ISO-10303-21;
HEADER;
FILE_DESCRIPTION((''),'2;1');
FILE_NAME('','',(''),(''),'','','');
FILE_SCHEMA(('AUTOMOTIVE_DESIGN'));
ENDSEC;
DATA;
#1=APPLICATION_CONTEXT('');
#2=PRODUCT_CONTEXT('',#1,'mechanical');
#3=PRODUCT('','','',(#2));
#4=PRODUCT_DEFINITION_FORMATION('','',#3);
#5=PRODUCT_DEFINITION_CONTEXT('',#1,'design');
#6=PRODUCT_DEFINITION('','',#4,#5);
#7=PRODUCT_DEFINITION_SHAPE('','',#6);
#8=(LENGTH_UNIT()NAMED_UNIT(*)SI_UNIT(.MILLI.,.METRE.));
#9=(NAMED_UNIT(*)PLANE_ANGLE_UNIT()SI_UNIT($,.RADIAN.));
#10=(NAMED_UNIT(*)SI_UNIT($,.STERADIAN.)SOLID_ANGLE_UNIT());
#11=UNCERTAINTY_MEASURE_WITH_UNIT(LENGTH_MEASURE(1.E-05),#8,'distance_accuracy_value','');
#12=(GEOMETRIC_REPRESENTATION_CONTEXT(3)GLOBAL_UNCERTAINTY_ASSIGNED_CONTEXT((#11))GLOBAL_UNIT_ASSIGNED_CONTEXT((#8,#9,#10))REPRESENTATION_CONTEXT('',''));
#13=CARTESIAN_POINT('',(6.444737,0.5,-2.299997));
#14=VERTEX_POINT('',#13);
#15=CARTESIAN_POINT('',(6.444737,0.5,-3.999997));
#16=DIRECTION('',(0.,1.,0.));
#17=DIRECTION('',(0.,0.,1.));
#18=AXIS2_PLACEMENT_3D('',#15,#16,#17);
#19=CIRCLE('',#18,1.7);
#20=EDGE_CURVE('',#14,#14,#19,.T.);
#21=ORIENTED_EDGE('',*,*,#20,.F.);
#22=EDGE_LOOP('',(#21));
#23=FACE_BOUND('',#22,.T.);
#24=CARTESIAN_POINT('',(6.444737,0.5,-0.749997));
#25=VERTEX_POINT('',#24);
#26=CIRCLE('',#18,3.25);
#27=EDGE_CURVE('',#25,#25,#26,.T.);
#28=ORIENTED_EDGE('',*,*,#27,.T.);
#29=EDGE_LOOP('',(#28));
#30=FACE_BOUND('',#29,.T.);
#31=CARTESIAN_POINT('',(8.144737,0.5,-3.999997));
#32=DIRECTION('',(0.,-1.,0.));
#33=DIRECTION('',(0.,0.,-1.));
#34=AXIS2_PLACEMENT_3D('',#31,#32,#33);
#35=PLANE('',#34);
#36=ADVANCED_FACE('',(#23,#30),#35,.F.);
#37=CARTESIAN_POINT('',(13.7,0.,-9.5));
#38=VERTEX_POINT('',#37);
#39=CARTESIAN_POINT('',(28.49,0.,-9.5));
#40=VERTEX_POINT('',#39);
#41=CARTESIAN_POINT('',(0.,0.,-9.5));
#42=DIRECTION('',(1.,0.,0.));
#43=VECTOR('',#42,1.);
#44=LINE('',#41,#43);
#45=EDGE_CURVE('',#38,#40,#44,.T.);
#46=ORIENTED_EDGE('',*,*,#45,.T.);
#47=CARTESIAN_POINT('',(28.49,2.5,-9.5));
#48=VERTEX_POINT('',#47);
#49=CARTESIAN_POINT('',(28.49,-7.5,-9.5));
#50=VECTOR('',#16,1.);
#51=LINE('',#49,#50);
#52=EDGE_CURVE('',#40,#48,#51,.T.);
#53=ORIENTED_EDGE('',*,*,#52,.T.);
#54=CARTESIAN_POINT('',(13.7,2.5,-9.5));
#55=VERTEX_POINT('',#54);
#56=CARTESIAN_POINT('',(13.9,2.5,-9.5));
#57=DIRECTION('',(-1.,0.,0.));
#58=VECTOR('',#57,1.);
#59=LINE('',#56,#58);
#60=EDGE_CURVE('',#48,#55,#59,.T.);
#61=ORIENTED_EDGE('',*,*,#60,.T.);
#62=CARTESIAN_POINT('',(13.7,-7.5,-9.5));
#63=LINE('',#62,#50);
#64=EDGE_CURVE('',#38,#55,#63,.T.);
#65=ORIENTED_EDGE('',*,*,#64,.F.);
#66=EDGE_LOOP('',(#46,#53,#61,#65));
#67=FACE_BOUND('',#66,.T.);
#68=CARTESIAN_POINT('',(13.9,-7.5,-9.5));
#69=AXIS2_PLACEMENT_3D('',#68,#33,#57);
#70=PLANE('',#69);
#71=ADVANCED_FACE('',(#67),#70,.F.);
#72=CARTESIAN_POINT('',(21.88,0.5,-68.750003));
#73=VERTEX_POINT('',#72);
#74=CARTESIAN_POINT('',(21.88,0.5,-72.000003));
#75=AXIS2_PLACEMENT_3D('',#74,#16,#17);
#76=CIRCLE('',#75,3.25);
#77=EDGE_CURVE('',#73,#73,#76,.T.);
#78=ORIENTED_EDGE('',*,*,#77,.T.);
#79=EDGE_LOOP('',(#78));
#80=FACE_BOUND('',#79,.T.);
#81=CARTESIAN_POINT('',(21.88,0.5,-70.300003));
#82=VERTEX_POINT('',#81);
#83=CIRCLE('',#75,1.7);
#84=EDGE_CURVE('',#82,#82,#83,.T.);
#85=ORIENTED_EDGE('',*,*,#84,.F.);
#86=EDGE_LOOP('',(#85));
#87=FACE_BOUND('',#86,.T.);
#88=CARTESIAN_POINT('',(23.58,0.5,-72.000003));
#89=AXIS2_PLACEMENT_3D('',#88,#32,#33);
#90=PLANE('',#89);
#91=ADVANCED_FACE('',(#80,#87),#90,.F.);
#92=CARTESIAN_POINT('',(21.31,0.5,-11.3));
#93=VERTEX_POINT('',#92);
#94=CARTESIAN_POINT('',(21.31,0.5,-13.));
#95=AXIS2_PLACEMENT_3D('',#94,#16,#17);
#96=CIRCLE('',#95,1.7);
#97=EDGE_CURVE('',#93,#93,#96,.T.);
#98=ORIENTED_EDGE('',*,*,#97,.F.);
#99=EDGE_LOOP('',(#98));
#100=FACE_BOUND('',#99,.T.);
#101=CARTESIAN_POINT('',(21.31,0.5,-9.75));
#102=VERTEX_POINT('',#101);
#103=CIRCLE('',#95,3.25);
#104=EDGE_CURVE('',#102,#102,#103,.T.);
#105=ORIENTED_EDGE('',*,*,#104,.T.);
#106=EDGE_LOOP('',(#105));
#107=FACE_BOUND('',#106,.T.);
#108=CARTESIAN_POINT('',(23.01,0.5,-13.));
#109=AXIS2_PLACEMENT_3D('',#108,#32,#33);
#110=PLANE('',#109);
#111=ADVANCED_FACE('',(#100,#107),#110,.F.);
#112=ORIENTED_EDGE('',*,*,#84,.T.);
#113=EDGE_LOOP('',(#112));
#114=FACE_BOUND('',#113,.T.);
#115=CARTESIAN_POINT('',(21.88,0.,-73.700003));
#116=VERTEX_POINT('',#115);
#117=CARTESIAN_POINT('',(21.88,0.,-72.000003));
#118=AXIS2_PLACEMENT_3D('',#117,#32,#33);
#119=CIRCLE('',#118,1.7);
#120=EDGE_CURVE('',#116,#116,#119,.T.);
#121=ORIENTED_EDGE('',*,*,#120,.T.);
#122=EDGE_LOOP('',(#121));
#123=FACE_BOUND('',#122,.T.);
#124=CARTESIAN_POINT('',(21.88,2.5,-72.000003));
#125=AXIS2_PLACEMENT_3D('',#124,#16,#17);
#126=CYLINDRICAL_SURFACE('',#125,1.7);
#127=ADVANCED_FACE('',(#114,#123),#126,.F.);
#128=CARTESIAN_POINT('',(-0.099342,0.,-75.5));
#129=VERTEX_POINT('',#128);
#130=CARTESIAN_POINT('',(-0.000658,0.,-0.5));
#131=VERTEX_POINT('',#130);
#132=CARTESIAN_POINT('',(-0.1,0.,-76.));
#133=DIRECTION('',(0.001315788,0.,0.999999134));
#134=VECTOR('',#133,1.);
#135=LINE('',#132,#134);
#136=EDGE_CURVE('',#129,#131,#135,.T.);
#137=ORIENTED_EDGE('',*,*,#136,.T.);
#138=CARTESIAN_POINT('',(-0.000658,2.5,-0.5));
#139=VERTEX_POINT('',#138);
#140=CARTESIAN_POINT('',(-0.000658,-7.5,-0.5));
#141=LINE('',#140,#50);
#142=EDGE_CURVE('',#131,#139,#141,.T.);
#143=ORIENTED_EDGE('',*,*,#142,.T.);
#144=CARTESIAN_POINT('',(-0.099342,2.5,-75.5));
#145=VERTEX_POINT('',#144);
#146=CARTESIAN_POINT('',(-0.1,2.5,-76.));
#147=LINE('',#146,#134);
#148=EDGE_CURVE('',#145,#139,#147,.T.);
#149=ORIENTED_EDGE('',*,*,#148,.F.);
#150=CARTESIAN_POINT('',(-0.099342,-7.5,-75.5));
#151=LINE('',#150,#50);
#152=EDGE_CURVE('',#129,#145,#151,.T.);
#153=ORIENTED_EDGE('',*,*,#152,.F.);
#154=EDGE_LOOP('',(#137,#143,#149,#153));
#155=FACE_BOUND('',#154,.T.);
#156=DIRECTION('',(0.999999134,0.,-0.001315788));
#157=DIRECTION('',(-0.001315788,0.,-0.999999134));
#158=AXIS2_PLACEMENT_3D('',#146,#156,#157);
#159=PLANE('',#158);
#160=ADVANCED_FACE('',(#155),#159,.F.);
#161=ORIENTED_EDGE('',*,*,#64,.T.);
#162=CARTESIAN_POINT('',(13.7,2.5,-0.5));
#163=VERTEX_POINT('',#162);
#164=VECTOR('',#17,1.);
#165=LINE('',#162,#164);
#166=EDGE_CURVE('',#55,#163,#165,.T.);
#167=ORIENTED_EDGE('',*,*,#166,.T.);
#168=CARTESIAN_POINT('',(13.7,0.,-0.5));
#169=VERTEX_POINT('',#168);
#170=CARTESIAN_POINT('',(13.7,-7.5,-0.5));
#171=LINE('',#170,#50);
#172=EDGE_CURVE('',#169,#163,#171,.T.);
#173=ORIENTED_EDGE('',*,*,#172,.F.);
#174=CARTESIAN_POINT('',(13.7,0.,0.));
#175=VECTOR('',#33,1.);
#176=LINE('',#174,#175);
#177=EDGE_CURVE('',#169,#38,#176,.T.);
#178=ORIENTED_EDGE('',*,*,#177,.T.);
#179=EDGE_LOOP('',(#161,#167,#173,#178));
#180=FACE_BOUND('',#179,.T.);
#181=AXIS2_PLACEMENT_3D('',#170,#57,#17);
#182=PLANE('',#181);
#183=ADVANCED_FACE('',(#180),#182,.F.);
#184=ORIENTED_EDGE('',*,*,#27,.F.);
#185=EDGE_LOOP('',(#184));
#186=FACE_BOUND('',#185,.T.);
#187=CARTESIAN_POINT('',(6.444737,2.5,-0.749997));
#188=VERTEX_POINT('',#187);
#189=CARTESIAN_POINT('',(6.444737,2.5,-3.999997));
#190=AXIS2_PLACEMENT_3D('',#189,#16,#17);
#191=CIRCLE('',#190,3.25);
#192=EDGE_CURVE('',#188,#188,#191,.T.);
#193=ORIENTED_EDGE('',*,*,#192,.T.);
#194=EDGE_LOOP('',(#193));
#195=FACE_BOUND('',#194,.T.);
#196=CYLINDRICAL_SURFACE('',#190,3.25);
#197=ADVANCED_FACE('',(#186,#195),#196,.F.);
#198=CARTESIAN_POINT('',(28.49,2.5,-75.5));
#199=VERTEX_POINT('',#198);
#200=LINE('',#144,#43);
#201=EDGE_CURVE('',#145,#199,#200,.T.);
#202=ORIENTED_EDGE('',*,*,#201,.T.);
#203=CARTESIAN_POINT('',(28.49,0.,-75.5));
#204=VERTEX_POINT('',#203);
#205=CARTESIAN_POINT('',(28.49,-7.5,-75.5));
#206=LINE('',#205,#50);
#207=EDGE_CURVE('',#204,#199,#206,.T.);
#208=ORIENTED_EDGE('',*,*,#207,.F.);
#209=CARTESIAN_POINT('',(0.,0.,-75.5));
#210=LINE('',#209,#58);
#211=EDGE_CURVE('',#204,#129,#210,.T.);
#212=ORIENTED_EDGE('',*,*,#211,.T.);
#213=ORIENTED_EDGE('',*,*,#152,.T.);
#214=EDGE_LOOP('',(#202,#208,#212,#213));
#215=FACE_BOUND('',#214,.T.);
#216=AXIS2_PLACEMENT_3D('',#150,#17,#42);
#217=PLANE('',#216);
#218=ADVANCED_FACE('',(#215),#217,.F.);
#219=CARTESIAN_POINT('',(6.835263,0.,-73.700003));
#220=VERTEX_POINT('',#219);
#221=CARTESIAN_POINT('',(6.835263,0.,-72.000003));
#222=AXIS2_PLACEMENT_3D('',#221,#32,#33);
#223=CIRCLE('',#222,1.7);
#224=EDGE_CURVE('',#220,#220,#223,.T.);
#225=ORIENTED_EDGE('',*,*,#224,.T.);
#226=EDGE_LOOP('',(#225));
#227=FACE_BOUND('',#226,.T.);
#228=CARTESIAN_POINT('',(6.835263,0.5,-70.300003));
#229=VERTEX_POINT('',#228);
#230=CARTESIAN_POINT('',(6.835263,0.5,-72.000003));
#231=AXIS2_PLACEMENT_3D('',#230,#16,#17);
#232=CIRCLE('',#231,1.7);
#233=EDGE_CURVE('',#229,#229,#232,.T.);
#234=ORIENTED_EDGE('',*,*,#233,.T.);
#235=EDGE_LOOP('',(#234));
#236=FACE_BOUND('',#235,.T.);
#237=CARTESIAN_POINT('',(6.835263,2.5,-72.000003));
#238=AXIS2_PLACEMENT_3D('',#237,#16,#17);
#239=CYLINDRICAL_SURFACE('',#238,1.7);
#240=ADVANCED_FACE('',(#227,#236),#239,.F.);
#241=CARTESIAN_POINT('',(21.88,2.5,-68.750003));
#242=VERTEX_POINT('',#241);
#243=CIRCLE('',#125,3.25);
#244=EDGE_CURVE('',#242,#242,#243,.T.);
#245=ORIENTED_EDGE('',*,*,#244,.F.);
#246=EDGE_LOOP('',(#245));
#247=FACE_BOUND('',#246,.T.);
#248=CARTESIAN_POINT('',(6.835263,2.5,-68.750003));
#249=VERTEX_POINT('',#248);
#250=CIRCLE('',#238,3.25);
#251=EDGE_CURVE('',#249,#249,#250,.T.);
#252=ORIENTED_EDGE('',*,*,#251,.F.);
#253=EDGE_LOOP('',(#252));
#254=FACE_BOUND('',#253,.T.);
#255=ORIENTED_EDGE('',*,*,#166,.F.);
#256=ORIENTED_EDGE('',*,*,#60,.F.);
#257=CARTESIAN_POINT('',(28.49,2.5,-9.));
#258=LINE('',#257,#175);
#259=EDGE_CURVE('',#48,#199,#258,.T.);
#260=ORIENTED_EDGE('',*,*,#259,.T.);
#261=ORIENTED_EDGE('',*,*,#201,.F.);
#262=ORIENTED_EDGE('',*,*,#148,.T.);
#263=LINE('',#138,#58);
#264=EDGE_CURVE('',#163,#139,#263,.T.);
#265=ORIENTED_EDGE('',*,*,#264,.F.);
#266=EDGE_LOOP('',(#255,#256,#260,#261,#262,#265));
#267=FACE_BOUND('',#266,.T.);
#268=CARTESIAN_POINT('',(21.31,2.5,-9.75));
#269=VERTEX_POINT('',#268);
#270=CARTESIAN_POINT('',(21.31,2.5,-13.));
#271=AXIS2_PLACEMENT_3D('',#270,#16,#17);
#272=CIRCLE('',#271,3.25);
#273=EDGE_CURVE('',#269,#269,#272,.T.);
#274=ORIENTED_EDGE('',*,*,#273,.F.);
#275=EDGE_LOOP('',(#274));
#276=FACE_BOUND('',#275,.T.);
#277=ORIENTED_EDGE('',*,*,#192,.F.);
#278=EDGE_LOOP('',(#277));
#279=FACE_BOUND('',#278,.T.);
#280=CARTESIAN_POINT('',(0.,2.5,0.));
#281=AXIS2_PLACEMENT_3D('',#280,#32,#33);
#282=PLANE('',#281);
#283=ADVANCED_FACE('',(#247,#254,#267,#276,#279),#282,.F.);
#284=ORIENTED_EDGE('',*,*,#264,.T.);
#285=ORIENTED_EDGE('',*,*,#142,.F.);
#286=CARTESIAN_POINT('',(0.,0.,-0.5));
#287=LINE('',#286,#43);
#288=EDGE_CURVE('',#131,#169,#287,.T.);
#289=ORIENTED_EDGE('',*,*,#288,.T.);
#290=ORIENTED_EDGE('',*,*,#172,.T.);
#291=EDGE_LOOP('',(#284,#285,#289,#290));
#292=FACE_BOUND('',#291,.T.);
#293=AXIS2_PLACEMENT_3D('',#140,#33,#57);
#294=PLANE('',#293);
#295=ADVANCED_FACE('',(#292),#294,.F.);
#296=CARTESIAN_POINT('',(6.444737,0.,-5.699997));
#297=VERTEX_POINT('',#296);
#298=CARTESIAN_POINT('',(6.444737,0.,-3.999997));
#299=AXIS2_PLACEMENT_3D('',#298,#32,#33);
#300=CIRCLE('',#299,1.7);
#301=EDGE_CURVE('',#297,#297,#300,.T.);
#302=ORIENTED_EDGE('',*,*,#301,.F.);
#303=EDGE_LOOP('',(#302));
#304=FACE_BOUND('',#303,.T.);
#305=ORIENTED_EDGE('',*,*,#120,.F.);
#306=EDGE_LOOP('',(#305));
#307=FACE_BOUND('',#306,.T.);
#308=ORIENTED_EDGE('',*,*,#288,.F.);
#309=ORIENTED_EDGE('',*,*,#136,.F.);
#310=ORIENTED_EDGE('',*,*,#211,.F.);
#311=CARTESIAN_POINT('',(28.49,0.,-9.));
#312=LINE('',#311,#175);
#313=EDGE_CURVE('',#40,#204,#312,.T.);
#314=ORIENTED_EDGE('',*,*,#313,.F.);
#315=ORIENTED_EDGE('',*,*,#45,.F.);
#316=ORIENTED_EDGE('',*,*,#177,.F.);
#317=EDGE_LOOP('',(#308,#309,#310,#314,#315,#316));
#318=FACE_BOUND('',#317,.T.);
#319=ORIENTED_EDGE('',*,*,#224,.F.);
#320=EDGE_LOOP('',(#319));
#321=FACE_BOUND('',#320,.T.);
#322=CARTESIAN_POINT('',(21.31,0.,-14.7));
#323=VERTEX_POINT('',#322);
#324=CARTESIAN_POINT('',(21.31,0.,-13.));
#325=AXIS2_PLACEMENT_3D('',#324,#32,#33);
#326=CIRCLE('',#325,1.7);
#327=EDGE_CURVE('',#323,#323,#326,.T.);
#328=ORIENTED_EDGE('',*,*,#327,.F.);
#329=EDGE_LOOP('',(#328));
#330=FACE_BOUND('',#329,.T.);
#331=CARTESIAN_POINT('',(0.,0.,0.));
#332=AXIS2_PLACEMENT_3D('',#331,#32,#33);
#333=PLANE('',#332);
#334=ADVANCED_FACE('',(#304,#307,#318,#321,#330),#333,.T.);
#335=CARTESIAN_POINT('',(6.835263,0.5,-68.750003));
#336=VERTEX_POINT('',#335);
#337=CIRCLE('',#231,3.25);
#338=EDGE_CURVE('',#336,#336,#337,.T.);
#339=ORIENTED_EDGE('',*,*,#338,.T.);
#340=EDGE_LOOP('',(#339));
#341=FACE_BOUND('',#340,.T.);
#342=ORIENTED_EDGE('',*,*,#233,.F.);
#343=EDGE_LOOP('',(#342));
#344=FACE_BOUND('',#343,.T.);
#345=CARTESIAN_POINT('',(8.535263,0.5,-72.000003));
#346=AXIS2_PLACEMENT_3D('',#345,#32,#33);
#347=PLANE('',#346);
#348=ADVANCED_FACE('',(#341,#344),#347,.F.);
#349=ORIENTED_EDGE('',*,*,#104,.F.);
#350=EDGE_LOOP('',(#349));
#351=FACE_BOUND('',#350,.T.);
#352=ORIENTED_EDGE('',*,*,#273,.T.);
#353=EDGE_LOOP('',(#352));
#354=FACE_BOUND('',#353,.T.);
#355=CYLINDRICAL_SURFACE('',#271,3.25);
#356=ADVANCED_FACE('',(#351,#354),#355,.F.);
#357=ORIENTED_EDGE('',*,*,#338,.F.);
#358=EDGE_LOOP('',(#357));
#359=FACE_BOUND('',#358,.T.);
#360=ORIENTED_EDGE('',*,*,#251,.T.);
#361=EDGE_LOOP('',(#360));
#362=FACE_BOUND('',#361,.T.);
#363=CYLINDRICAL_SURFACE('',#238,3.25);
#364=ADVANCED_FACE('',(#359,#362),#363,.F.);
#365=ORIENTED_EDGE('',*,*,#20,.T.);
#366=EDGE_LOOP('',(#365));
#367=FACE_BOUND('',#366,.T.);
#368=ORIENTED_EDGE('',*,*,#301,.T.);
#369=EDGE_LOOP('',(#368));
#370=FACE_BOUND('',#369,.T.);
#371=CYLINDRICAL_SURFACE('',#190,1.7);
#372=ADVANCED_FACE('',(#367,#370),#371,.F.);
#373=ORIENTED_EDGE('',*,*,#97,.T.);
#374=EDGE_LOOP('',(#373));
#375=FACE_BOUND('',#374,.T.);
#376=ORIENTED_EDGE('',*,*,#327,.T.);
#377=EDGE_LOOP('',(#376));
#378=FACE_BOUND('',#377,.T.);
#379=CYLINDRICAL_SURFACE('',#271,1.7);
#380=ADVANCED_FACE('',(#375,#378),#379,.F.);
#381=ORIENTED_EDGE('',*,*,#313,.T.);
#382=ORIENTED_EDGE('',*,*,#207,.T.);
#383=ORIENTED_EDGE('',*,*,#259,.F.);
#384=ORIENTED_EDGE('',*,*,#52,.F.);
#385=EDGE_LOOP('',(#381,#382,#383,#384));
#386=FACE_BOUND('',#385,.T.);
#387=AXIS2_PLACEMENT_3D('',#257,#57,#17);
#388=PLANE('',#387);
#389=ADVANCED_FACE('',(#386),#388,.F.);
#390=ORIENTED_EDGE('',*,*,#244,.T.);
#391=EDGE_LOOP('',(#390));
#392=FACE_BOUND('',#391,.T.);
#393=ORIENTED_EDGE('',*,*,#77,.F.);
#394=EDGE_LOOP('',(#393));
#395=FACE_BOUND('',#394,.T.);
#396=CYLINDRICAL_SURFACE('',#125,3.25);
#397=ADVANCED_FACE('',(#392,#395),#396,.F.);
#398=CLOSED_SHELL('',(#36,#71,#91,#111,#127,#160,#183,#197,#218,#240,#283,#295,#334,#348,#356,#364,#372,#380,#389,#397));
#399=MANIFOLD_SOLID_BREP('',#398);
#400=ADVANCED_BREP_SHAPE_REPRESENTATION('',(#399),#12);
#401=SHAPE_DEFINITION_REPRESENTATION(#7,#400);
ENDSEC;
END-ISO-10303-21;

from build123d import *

# Parameters (mm, degrees)
BOSS_EXTRUDE1_DEPTH                         = 2.5
CBORE_FOR_M3_CHEESE_HEAD_SCREW1_D           = 3.4
CBORE_FOR_M3_CHEESE_HEAD_SCREW1_CBORE_D     = 6.5
CBORE_FOR_M3_CHEESE_HEAD_SCREW1_CBORE_DEPTH = 2
CUT_EXTRUDE1_DEPTH                          = 10
SKETCH6_W                                   = 14.59
SKETCH6_H                                   = 0.5
CUT_EXTRUDE2_DEPTH                          = 10
CUT_EXTRUDE3_DEPTH                          = 10
SKETCH8_W                                   = 0.2
SKETCH8_H                                   = 9.000000433
CUT_EXTRUDE4_DEPTH                          = 10


with BuildPart() as part:
    # Sketch1 → Boss-Extrude1 (new body)
    with BuildSketch(Plane(origin=(0, 0, 0), x_dir=(1, 0, 0), z_dir=(0, 1, 0))):
        Polygon((0, 0), (13.9, 0), (13.9, 9), (28.49, 9), (28.49, 76), (-0.1, 76), align=None)
    extrude(amount=BOSS_EXTRUDE1_DEPTH)

    # CBORE for M3 Cheese Head Screw1 (through all)
    with Locations(Plane(origin=(0, 2.5, 0), x_dir=(1, 0, 0), z_dir=(0, 1, 0))):
        with Locations((6.835263153, 72.000003463), (21.88, 72.000003463), (21.31, 13), (6.444736847, 3.999996537)):
            CounterBoreHole(CBORE_FOR_M3_CHEESE_HEAD_SCREW1_D / 2, CBORE_FOR_M3_CHEESE_HEAD_SCREW1_CBORE_D / 2, CBORE_FOR_M3_CHEESE_HEAD_SCREW1_CBORE_DEPTH)

    # Sketch5 → Cut-Extrude1 (cut)
    with BuildSketch(Plane(origin=(0, 2.5, 0), x_dir=(1, 0, 0), z_dir=(0, 1, 0))):
        Polygon((-0.1, 76), (-0.099342106, 75.500000433), (28.49, 75.500000433), (28.49, 76), align=None)
    extrude(amount=-CUT_EXTRUDE1_DEPTH, mode=Mode.SUBTRACT)

    # Sketch6 → Cut-Extrude2 (cut)
    with BuildSketch(Plane(origin=(0, 2.5, 0), x_dir=(1, 0, 0), z_dir=(0, 1, 0))):
        with Locations((21.195, 9.25)):
            Rectangle(SKETCH6_W, SKETCH6_H)
    extrude(amount=-CUT_EXTRUDE2_DEPTH, mode=Mode.SUBTRACT)

    # Sketch7 → Cut-Extrude3 (cut)
    with BuildSketch(Plane(origin=(0, 2.5, 0), x_dir=(1, 0, 0), z_dir=(0, 1, 0))):
        Polygon((13.9, 0), (13.9, 0.499999567), (-0.000657894, 0.499999567), (0, 0), align=None)
    extrude(amount=-CUT_EXTRUDE3_DEPTH, mode=Mode.SUBTRACT)

    # Sketch8 → Cut-Extrude4 (cut)
    with BuildSketch(Plane(origin=(0, 2.5, 0), x_dir=(1, 0, 0), z_dir=(0, 1, 0))):
        with Locations((13.8, 4.999999783)):
            Rectangle(SKETCH8_W, SKETCH8_H)
    extrude(amount=-CUT_EXTRUDE4_DEPTH, mode=Mode.SUBTRACT)


solid = part.part
